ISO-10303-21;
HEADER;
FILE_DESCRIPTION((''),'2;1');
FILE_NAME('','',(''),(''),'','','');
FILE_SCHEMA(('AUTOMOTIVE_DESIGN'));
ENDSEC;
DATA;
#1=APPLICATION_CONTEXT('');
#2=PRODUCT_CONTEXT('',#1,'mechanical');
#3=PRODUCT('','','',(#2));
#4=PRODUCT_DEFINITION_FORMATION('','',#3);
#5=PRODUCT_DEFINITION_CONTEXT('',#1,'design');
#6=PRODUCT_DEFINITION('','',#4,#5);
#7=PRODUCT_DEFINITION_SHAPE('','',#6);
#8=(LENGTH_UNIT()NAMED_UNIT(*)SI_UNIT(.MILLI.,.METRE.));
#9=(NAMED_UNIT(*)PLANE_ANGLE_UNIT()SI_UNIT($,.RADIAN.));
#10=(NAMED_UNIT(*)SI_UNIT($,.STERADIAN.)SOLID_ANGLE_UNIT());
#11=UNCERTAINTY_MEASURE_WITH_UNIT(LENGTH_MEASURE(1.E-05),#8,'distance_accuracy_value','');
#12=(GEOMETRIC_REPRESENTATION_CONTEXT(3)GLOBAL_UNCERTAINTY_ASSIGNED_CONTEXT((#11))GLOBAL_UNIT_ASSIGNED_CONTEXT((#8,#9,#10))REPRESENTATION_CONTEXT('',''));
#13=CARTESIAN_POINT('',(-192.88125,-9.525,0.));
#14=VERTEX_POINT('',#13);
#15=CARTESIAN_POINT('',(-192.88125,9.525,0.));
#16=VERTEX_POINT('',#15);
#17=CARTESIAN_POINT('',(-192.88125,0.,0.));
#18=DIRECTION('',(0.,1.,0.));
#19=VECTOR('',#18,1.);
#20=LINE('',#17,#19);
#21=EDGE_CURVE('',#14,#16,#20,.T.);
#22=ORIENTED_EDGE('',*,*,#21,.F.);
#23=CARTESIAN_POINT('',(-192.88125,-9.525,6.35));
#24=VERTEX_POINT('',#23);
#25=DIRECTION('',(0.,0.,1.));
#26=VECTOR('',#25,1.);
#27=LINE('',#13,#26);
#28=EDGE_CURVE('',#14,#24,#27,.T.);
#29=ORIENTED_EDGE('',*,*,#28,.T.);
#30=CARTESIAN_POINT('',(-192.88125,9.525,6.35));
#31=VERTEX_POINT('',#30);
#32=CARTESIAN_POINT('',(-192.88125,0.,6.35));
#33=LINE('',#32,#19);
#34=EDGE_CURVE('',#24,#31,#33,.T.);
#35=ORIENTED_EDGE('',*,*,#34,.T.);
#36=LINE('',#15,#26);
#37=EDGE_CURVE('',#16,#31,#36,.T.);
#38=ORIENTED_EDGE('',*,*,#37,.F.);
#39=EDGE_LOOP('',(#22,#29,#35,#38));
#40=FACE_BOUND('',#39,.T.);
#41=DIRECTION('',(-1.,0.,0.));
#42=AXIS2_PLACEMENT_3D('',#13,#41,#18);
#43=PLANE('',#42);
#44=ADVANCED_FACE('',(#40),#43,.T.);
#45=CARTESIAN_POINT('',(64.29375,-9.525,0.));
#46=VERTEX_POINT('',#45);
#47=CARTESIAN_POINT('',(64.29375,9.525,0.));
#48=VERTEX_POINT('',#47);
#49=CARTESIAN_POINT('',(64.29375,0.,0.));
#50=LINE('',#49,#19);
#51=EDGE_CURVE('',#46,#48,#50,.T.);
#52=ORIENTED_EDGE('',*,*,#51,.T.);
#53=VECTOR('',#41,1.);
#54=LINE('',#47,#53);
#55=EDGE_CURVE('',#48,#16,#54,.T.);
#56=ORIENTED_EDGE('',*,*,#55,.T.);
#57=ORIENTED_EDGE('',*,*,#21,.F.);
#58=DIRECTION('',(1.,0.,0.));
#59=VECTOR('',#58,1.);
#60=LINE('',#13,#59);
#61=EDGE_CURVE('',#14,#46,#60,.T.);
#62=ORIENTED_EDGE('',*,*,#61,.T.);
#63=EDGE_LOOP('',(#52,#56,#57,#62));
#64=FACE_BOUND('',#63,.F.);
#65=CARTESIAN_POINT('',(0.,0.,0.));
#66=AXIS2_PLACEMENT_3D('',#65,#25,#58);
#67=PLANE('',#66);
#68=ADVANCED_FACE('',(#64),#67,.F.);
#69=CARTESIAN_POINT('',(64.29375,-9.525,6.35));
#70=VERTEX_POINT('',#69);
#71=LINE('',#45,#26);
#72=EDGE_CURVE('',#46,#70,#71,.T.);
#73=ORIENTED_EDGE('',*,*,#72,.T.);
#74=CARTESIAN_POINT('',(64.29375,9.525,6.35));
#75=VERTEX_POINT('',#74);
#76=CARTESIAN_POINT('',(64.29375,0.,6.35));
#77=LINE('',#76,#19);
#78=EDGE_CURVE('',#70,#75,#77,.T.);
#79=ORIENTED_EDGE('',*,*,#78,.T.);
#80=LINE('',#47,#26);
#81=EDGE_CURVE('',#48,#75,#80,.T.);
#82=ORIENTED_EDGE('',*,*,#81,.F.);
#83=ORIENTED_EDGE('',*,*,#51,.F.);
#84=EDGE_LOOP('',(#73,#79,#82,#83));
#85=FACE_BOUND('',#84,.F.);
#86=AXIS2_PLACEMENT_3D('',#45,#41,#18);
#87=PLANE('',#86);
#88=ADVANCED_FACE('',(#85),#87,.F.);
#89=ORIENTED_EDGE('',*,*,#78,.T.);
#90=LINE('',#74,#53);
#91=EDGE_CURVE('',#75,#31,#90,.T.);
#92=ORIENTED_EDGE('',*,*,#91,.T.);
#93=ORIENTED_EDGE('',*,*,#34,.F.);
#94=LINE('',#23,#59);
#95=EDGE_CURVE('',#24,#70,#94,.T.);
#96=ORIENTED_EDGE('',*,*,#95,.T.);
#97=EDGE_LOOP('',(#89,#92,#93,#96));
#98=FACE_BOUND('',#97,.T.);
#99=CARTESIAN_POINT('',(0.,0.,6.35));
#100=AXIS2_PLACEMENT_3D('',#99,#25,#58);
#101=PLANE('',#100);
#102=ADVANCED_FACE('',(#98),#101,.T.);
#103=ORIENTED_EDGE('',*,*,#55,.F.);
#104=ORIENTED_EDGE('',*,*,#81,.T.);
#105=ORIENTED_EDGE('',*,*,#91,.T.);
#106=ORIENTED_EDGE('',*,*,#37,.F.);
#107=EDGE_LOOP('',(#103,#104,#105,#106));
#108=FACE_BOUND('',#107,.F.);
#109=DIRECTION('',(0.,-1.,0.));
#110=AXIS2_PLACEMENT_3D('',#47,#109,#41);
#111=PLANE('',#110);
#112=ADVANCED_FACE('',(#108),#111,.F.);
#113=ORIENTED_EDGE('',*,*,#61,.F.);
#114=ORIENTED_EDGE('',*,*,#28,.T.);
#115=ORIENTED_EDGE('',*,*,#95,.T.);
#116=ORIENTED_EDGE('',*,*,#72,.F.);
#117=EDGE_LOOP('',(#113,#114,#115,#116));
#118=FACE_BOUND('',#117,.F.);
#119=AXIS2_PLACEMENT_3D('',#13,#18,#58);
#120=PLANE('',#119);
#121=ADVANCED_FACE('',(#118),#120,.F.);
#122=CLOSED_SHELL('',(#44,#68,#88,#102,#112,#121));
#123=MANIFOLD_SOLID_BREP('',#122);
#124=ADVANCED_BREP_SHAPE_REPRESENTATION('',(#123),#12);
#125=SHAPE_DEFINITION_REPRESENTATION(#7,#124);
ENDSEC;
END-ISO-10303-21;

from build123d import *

# Parameters (mm, degrees)
F0_W     = 128.5875
F0_H     = 19.05
F1_DEPTH = 6.35


with BuildPart() as f1:
    # F0 (on Top) → F1 (new body)
    with BuildSketch(Plane.XY):
        Rectangle(F0_W, F0_H)
        with Locations((-128.5875, 0)):
            Rectangle(F0_W, F0_H)
    extrude(amount=F1_DEPTH)


solid = f1.part
